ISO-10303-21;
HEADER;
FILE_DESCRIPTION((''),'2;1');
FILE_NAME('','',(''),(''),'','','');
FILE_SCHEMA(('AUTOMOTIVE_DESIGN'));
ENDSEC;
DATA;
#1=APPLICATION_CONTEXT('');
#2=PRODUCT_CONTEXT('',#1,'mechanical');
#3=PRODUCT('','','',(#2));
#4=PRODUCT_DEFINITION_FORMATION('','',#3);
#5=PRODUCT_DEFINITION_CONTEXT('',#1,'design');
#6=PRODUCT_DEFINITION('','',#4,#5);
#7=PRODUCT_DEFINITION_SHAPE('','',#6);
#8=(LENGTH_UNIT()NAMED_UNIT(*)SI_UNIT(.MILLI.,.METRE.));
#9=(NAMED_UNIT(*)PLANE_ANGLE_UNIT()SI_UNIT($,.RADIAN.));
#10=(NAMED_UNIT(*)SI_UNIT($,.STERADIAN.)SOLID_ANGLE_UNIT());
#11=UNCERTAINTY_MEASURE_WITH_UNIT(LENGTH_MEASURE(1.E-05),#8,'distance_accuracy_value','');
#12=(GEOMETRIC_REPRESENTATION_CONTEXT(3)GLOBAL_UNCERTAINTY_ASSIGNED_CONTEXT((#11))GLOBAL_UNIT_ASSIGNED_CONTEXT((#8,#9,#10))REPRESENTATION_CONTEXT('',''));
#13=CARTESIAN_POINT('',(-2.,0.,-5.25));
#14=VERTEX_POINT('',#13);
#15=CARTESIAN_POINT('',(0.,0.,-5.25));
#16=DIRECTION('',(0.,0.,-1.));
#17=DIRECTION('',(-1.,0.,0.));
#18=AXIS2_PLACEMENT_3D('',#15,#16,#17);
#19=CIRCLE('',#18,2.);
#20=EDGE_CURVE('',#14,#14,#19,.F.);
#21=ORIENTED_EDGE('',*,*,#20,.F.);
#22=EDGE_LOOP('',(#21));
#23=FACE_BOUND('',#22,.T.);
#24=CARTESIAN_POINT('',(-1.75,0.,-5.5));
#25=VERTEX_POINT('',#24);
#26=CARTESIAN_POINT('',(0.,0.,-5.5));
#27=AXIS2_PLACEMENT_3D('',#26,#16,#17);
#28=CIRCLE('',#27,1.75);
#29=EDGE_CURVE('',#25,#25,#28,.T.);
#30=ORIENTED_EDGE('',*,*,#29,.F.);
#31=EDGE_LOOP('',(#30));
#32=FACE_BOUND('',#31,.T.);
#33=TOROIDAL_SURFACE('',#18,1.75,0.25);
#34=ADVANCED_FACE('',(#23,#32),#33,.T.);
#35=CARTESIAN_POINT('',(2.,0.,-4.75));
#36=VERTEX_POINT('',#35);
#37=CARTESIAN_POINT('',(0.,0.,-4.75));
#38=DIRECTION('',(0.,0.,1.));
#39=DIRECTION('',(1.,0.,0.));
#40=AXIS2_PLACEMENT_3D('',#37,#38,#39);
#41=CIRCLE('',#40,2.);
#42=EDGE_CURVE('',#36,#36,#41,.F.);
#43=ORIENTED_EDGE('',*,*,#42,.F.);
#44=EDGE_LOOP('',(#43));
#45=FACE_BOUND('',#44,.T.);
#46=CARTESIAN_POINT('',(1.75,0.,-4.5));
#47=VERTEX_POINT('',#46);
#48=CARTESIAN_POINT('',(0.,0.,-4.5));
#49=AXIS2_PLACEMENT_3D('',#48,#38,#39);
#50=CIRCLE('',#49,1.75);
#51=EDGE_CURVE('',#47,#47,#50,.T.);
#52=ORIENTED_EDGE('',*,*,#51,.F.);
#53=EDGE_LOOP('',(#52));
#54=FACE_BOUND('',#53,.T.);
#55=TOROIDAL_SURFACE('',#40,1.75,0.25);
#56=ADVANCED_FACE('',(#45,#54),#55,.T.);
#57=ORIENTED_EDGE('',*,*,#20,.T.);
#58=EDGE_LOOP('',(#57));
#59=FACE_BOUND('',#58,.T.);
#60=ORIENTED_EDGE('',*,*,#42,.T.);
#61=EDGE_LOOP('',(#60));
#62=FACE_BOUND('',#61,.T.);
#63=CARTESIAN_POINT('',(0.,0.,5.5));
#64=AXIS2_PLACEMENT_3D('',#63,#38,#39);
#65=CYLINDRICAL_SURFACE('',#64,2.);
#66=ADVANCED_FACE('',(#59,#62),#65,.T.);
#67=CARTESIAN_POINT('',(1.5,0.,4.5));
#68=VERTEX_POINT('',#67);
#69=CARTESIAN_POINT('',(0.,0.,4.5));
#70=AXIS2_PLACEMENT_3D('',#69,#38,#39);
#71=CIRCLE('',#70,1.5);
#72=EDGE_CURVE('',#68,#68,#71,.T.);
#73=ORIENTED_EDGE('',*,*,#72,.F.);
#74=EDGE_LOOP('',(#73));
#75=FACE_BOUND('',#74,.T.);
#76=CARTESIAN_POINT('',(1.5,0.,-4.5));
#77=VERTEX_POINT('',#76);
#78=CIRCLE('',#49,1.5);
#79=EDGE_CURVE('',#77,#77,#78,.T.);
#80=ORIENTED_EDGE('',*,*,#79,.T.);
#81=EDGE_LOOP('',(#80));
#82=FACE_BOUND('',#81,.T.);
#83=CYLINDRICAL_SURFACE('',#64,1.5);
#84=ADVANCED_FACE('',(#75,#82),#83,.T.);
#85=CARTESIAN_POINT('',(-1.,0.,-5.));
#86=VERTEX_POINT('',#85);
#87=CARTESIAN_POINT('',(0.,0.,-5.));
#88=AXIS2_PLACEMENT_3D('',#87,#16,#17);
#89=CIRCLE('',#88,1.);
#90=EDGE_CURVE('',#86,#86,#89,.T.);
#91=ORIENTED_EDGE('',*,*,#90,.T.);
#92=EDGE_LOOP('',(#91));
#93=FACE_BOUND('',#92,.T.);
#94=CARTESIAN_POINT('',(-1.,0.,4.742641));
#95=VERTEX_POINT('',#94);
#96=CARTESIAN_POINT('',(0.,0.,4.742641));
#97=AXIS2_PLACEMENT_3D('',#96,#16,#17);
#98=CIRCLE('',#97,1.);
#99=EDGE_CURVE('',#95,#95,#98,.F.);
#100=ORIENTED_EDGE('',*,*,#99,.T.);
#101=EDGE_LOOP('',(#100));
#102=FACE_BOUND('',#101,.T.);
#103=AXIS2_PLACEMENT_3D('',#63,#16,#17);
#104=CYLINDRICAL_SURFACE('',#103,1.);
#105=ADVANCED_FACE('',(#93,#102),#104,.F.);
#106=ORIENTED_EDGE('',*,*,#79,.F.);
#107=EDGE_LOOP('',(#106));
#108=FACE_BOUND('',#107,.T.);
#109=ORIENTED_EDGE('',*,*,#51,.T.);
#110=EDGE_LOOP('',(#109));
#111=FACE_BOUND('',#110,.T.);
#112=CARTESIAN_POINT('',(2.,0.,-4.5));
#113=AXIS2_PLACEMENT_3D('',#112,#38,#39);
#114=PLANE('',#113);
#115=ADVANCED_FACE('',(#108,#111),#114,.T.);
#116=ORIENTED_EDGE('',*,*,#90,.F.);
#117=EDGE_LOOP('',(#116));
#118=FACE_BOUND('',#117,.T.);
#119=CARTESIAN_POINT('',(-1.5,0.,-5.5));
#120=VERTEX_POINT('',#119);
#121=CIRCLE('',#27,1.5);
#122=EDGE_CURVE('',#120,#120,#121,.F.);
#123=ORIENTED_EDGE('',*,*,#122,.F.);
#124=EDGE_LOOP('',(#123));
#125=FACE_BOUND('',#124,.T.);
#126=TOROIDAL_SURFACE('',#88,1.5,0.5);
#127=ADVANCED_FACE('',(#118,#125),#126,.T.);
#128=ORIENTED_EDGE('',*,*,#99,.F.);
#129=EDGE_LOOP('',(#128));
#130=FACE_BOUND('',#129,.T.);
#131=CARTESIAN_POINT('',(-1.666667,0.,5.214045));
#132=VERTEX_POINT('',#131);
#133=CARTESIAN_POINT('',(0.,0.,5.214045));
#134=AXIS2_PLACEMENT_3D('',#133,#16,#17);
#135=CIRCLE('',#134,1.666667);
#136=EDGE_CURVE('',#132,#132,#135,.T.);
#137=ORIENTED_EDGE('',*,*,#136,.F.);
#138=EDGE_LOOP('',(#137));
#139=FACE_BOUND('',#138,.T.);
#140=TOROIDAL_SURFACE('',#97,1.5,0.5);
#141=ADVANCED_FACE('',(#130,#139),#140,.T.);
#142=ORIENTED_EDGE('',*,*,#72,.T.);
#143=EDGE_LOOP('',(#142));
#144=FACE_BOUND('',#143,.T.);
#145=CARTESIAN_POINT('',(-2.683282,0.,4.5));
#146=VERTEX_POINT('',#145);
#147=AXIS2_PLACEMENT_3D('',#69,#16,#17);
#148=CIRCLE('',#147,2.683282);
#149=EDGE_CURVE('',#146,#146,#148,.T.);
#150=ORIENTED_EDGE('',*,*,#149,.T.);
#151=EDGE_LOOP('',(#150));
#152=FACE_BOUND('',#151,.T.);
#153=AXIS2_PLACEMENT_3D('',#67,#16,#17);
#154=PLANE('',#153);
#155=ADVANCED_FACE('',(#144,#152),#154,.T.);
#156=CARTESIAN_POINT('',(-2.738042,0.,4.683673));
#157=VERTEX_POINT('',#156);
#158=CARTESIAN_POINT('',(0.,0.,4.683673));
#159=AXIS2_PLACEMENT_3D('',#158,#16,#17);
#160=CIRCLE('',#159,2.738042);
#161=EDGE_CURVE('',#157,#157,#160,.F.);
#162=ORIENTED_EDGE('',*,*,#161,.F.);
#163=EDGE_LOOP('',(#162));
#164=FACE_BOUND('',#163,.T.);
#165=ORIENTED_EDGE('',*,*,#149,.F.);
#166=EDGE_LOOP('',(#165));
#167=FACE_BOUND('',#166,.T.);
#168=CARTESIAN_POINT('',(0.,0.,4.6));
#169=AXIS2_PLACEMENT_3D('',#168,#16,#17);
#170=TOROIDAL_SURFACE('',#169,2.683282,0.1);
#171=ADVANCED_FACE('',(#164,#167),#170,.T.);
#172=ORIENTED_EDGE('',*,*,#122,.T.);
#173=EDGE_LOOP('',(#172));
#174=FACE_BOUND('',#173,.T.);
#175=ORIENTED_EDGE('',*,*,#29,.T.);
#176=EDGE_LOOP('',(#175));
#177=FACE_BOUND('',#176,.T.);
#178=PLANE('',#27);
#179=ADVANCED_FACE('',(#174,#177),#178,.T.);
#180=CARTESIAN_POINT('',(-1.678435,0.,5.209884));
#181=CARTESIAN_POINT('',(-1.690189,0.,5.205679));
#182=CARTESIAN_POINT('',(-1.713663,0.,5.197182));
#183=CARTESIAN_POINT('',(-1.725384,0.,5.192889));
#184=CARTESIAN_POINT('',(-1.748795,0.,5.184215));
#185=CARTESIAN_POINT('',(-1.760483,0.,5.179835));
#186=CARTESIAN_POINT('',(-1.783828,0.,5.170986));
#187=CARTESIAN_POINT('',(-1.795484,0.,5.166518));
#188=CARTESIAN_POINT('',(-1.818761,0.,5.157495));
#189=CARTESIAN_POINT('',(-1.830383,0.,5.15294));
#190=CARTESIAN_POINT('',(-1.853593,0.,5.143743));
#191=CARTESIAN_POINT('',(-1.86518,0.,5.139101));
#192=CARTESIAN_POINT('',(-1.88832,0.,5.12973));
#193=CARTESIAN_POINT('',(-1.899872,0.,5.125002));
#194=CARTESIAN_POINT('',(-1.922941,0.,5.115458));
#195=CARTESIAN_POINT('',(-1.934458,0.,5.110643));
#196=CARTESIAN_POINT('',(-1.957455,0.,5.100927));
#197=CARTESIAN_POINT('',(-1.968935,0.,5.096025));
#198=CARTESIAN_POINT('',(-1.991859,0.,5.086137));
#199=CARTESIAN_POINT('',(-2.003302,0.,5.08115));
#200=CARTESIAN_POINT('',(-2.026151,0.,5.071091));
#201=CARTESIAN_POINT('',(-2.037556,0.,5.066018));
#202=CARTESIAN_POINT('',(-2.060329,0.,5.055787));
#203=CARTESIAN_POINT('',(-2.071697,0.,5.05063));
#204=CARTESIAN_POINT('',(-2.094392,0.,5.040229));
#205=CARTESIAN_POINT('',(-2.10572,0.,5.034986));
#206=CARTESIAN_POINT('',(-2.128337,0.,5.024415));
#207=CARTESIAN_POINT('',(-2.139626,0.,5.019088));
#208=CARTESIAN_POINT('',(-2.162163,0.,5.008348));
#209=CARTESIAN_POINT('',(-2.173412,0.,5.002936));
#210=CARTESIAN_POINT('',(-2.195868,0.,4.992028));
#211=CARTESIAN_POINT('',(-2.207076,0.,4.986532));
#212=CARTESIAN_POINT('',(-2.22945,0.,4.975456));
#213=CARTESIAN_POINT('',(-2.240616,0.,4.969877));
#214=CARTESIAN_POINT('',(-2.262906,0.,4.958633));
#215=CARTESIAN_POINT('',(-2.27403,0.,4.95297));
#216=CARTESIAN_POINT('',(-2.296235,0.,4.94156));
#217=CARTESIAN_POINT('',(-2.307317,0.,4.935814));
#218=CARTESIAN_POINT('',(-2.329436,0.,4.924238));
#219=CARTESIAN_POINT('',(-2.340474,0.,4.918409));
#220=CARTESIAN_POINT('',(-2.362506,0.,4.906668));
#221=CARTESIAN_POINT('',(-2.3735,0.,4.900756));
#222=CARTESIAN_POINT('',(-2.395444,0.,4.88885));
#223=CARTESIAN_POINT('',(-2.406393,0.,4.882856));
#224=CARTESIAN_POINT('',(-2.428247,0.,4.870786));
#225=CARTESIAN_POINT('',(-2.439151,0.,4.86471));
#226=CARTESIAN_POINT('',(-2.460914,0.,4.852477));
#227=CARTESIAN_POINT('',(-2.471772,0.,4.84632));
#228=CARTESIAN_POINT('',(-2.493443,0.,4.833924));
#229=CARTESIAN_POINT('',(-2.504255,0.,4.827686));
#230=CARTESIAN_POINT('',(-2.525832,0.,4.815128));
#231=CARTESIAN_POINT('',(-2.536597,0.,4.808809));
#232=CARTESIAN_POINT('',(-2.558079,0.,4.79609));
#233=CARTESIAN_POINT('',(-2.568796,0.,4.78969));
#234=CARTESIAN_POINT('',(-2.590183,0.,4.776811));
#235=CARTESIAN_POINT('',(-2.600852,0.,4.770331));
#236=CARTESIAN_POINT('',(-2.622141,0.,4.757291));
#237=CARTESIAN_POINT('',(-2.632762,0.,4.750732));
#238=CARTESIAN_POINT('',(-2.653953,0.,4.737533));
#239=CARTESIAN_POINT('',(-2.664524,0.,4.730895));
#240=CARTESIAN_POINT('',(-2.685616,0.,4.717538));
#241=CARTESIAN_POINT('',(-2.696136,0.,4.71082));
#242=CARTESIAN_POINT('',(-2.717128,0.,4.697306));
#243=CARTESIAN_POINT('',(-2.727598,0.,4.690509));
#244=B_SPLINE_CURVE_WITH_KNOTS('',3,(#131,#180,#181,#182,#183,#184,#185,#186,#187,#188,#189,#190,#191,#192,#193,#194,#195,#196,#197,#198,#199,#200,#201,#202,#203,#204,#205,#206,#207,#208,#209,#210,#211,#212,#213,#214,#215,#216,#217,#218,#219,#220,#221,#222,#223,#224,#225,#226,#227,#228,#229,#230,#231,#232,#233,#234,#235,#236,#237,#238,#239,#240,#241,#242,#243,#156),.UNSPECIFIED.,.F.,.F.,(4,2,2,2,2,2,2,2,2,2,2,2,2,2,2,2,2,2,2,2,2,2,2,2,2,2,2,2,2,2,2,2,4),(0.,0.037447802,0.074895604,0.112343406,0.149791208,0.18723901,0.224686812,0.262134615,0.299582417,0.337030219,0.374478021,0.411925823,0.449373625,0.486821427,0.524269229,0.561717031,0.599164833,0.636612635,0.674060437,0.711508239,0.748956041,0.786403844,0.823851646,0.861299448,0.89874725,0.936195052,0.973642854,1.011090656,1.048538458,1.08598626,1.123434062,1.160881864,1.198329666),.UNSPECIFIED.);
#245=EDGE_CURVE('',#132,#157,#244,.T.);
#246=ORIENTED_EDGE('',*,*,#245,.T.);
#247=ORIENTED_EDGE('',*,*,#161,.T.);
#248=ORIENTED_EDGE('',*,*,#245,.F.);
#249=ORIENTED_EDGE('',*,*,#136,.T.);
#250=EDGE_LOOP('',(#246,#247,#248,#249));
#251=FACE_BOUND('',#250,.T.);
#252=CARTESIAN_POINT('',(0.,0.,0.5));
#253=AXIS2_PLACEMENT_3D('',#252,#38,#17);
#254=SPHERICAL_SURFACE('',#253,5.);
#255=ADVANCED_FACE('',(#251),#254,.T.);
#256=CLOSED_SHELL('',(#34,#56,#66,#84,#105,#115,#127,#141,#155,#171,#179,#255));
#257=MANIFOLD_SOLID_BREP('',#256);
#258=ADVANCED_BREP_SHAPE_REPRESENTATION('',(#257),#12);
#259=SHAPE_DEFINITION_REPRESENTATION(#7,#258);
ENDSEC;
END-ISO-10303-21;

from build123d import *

# Parameters (mm, degrees)
SKETCH_2_R          = 1
CUT_EXTRUDE_1_DEPTH = 12.789826123
FILLET_1_R          = 0.25
FILLET_2_R          = 0.1
FILLET_3_R          = 0.5


with BuildPart() as part:
    # ｽｹｯﾁ1 → 回転1 (revolve)
    with BuildSketch(Plane(origin=(0, 0, 0), x_dir=(1, 0, 0), z_dir=(0, 1, 0))):
        with BuildLine():
            Line((0, -5.5), (0, 5.5))
            Line((0, 5.5), (2, 5.5))
            Line((2, 5.5), (2, 4.5))
            Line((2, 4.5), (1.5, 4.5))
            Line((1.5, 4.5), (1.5, -4.5))
            Line((1.5, -4.5), (3, -4.5))
            ThreePointArc((3, -4.5), (1.58113883, -5.24341649), (0, -5.5))
        make_face()
    revolve(axis=Axis((0, 0, 5.5), (0, 0, -1)))

    # ｽｹｯﾁ2 → ｶｯﾄ - 押し出し1 (cut, through all)
    with BuildSketch(Plane(origin=(0, 0, -5.5), x_dir=(-1, 0, 0), z_dir=(0, 0, -1))):
        Circle(SKETCH_2_R)
    extrude(amount=-CUT_EXTRUDE_1_DEPTH, mode=Mode.SUBTRACT)

    # ﾌｨﾚｯﾄ1
    fillet_1_edges = [part.edges().sort_by_distance(p)[0] for p in [
        (-2, 0, -4.5),
        (-2, 0, -5.5),
    ]]
    fillet(fillet_1_edges, radius=FILLET_1_R)

    # ﾌｨﾚｯﾄ2
    fillet_2_edges = [part.edges().sort_by_distance(p)[0] for p in [
        (-3, 0, 4.5),
    ]]
    fillet(fillet_2_edges, radius=FILLET_2_R)

    # ﾌｨﾚｯﾄ3
    fillet_3_edges = [part.edges().sort_by_distance(p)[0] for p in [
        (0, -1, 5.398979486),
        (1, 0, -5.5),
    ]]
    fillet(fillet_3_edges, radius=FILLET_3_R)


solid = part.part
